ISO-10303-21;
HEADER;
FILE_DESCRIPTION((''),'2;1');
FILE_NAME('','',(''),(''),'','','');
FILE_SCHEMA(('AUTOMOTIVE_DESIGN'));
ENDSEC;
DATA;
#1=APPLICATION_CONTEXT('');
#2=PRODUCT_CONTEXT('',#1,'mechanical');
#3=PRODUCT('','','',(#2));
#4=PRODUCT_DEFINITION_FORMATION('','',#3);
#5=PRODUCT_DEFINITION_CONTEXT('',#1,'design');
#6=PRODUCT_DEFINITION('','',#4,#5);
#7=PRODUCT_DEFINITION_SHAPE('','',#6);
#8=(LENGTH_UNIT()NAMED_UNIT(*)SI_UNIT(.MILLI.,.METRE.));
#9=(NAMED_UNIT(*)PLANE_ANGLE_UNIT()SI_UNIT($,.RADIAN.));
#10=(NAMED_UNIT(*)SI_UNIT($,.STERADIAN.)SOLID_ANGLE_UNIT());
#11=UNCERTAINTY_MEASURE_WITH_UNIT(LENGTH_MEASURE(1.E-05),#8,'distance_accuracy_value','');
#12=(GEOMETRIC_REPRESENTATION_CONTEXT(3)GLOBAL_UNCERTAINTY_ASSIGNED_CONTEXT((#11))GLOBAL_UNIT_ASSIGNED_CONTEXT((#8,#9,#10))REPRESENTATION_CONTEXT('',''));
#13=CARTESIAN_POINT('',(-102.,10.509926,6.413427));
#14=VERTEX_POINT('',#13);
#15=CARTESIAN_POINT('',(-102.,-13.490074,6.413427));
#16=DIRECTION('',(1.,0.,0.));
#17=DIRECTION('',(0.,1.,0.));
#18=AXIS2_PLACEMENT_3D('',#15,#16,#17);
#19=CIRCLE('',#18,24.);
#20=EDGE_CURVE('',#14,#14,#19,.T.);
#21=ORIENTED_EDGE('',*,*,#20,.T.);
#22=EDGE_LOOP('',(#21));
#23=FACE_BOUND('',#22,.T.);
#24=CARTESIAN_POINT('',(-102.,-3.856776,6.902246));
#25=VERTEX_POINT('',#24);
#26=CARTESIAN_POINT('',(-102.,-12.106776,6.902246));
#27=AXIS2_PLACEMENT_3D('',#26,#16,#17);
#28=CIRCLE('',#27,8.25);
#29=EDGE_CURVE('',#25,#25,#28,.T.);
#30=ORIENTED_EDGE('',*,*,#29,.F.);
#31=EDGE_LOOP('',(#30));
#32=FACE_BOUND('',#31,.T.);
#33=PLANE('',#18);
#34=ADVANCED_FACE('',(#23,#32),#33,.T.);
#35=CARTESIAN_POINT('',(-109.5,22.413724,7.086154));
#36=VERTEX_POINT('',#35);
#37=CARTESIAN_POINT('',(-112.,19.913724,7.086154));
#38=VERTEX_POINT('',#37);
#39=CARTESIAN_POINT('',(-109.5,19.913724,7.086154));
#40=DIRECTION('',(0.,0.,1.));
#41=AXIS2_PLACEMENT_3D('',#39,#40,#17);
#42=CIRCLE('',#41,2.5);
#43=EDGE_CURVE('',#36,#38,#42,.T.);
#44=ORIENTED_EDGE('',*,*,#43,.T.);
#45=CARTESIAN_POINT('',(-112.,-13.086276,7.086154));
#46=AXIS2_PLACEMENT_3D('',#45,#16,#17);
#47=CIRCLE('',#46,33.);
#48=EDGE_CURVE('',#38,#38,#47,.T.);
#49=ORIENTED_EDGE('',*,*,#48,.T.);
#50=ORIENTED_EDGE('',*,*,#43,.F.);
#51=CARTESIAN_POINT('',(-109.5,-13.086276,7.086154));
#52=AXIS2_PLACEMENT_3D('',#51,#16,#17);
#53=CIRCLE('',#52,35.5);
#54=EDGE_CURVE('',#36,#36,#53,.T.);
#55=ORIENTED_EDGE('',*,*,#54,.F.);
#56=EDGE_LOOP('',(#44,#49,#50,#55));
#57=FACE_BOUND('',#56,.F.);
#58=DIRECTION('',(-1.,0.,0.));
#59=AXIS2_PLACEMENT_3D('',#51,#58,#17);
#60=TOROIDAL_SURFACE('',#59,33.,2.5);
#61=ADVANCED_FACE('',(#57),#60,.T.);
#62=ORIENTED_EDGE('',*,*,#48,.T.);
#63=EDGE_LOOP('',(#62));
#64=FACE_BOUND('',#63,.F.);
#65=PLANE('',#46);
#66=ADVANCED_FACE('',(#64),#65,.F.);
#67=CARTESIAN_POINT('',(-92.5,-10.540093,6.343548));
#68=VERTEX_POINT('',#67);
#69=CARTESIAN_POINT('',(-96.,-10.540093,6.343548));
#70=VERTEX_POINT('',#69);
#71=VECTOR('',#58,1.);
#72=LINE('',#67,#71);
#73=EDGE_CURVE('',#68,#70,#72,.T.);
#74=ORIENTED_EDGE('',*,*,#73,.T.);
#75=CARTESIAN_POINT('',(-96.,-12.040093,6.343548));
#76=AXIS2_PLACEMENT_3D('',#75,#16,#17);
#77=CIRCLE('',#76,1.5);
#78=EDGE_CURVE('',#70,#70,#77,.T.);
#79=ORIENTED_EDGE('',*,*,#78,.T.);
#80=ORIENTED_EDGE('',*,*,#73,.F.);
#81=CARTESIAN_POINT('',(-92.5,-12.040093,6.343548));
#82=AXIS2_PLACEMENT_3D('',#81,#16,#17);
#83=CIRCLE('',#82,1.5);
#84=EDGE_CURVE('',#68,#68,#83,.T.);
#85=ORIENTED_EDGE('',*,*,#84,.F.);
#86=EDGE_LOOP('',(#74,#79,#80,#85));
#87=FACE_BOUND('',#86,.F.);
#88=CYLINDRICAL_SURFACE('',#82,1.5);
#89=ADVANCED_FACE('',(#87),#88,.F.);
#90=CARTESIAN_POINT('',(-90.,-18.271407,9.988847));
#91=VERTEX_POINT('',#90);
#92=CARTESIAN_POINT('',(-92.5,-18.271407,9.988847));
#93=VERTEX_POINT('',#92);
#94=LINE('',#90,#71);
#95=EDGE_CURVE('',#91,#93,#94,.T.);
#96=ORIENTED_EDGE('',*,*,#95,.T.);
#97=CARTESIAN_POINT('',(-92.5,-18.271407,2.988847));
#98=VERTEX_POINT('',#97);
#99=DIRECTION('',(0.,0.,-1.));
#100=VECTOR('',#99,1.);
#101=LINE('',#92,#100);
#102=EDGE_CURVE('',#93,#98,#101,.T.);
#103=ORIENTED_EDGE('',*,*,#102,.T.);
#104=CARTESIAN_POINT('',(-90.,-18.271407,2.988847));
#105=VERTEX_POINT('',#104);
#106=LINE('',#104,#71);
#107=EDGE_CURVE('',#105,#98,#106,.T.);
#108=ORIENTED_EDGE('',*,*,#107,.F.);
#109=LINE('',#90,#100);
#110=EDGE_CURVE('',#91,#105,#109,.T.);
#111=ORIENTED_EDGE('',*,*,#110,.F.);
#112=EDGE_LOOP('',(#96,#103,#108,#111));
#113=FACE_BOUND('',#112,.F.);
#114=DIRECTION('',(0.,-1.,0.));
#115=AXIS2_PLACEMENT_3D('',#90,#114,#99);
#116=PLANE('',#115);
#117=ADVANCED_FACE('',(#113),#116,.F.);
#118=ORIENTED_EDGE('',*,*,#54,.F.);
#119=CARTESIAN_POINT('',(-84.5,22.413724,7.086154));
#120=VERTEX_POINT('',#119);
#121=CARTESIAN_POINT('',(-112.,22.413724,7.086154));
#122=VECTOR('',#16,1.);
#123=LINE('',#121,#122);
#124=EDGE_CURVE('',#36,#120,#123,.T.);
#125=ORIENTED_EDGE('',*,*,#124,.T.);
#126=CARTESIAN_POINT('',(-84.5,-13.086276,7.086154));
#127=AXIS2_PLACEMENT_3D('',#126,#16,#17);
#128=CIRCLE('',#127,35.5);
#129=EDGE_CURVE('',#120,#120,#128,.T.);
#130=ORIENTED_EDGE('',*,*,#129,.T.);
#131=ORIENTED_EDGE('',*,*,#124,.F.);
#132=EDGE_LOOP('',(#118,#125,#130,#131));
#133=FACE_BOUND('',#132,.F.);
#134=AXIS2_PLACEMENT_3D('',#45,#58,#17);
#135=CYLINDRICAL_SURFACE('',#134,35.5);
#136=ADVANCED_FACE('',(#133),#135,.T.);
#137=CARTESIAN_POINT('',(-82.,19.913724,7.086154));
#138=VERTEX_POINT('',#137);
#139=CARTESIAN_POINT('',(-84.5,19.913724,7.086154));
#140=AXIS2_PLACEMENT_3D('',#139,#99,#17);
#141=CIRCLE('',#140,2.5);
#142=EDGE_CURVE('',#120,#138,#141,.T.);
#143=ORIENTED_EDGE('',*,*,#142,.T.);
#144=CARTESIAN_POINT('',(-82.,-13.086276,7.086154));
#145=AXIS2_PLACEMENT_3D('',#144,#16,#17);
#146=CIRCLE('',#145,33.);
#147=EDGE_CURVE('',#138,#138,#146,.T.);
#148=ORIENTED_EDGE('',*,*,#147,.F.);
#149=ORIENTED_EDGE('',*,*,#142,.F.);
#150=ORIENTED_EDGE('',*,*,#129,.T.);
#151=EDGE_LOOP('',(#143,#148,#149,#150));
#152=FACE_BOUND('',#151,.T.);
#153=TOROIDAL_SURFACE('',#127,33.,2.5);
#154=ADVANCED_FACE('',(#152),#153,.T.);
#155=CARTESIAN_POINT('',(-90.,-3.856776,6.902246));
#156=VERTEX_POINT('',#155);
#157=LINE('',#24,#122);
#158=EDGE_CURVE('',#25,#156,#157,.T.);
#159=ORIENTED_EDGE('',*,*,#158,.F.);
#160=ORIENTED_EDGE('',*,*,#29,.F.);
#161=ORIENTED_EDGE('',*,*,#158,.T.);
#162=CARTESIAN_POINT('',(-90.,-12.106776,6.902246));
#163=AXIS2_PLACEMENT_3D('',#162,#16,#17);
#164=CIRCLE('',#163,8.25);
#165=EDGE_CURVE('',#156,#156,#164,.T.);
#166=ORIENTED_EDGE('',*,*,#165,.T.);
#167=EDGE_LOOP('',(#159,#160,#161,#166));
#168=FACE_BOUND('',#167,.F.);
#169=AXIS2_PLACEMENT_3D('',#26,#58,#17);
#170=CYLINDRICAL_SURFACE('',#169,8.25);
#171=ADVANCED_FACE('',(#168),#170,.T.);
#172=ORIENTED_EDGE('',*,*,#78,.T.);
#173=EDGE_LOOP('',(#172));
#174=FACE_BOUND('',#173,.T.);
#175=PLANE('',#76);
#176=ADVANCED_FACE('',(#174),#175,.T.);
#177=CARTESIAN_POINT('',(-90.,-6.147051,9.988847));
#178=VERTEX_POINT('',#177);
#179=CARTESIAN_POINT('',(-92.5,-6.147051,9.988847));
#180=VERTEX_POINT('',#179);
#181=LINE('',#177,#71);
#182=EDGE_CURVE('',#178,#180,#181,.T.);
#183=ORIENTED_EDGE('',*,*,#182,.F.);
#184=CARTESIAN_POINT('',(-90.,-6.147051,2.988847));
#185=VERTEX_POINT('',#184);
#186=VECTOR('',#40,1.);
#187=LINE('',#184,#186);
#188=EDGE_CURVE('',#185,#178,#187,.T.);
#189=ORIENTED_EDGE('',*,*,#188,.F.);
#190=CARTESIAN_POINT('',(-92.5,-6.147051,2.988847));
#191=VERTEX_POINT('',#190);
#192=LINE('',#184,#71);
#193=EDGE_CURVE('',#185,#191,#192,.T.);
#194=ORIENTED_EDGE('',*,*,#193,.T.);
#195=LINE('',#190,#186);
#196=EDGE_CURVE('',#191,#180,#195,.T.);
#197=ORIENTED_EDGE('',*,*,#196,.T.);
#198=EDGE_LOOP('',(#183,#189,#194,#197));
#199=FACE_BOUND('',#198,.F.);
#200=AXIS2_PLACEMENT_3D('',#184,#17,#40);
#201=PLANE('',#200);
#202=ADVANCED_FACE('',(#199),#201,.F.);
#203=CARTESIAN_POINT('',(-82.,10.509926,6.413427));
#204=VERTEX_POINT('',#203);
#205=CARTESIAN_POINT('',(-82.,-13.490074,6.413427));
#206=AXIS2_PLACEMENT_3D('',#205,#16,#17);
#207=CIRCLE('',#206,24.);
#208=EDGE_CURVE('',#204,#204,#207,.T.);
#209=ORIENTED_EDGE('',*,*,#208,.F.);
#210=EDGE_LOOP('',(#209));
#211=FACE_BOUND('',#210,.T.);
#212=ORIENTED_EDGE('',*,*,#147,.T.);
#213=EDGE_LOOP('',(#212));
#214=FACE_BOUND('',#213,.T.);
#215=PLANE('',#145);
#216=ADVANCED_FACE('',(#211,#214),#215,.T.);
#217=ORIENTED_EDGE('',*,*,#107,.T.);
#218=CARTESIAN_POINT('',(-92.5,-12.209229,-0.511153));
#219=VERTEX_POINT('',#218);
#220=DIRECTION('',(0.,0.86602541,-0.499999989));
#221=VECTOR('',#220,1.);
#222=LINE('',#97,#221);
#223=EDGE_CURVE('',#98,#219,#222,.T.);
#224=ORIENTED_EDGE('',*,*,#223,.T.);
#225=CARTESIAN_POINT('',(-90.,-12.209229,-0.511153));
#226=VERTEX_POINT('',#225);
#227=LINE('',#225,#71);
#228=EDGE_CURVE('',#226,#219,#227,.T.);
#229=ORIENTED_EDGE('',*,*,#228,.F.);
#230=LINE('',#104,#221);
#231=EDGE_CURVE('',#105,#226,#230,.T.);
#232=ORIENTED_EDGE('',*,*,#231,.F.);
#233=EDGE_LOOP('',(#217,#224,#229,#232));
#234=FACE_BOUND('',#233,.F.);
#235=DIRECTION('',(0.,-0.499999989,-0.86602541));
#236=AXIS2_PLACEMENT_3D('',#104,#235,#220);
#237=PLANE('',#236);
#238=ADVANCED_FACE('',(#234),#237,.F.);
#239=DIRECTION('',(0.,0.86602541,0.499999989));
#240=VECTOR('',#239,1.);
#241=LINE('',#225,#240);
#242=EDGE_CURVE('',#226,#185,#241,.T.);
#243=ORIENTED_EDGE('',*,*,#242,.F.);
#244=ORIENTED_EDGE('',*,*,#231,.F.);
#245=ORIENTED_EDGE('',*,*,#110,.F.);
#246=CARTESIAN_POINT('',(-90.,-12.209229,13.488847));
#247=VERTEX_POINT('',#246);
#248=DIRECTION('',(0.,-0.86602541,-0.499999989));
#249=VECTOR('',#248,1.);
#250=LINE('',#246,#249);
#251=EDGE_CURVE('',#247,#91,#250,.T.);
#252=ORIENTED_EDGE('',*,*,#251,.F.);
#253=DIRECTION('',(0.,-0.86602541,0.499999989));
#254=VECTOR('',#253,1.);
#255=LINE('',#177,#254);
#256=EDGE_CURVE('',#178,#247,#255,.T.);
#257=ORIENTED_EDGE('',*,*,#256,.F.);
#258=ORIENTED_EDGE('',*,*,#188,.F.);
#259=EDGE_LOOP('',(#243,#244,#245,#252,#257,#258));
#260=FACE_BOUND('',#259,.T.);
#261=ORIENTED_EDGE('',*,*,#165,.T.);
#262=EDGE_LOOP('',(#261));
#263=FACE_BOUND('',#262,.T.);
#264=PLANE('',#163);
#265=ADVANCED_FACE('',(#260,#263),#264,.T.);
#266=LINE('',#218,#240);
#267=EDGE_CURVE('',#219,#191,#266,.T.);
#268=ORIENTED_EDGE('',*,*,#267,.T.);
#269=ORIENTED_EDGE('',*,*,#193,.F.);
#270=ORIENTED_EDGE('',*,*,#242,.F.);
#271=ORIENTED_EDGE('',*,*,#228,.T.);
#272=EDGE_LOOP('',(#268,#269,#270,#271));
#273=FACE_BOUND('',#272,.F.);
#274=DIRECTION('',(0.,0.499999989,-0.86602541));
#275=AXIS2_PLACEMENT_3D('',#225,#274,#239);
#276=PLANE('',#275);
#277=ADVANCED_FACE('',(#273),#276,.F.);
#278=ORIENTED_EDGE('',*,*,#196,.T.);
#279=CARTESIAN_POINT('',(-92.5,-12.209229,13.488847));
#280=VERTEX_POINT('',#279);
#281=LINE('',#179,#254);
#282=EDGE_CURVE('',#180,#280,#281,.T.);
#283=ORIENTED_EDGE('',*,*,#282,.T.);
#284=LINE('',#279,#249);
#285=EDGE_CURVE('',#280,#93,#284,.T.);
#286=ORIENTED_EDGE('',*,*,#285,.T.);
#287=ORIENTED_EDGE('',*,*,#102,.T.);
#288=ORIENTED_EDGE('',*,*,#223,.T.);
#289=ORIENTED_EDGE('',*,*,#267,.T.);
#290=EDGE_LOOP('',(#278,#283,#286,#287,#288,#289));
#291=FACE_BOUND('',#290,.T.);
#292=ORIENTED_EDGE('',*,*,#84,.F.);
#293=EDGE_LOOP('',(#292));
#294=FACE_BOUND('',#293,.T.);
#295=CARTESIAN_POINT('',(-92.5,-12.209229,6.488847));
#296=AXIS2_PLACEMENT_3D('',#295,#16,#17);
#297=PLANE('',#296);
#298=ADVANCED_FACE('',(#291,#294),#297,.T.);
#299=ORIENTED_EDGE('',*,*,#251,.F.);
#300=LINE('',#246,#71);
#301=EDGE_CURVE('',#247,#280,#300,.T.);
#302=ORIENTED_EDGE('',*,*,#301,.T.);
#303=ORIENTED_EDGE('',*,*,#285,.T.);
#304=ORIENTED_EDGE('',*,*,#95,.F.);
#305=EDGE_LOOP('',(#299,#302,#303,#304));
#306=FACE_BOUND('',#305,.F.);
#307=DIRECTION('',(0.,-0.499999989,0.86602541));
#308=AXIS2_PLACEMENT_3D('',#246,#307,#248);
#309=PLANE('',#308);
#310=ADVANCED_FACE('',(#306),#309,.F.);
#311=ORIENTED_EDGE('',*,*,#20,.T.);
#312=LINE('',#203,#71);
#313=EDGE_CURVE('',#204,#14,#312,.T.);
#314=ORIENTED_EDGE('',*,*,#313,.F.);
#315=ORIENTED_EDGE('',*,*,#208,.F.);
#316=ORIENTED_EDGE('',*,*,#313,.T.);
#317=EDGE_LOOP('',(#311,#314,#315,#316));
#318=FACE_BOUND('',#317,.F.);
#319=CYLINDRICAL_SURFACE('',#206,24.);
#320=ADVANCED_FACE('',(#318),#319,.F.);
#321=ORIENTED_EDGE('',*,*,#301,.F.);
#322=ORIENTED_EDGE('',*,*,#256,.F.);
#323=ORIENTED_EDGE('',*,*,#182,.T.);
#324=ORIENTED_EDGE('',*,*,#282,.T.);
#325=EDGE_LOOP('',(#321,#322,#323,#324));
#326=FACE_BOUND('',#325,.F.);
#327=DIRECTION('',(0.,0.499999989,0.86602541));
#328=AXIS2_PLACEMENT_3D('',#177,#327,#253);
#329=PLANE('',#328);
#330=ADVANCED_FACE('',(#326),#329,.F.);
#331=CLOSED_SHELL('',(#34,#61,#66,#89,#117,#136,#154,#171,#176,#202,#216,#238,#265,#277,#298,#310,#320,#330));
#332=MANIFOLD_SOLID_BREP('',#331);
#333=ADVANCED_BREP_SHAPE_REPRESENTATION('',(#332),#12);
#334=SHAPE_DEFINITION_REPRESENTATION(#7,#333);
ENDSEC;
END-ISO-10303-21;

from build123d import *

# Parameters (mm, degrees)
SKETCH034_R     = 35.5
PAD014_DEPTH    = 30
FILLET018_R     = 2.5
FILLET019_R     = 2.5
SKETCH035_R     = 24
POCKET003_DEPTH = 20
SKETCH036_R     = 8.25
PAD015_DEPTH    = 12
POCKET004_DEPTH = 2.5
SKETCH038_R     = 1.5
POCKET005_DEPTH = 3.5


with BuildPart() as part:
    # Sketch034 → Pad014 (new body)
    with BuildSketch(Plane.YZ):
        with Locations((-2.086276, 2.086154)):
            Circle(SKETCH034_R)
    extrude(amount=PAD014_DEPTH)

    # Fillet018
    fillet018_edges = [part.edges().sort_by_distance(p)[0] for p in [
        (30, -37.586276, 2.086154),
    ]]
    fillet(fillet018_edges, radius=FILLET018_R)

    # Fillet019
    fillet019_edges = [part.edges().sort_by_distance(p)[0] for p in [
        (0, -37.586276, 2.086154),
    ]]
    fillet(fillet019_edges, radius=FILLET019_R)

    # Sketch035 (on Face3 of Pad014) → Pocket003 (cut)
    with BuildSketch(Plane.YZ.offset(30)):
        with Locations((-2.490074, 1.413427)):
            Circle(SKETCH035_R)
    extrude(amount=-POCKET003_DEPTH, mode=Mode.SUBTRACT)

    # Sketch036 (on Face7 of Pocket003) → Pad015 (join)
    with BuildSketch(Plane.YZ.offset(10)):
        with Locations((-1.106776, 1.902246)):
            Circle(SKETCH036_R)
    extrude(amount=PAD015_DEPTH)

    # Sketch037 (on Face9 of Pad015) → Pocket004 (cut)
    with BuildSketch(Plane.YZ.offset(22)):
        Polygon((4.852949, 4.988847), (-1.209229, 8.488847), (-7.271407, 4.988847), (-7.271407, -2.011153), (-1.209229, -5.511153), (4.852949, -2.011153), align=None)
    extrude(amount=-POCKET004_DEPTH, mode=Mode.SUBTRACT)

    # Sketch038 (on Face16 of Pocket004) → Pocket005 (cut)
    with BuildSketch(Plane.YZ.offset(19.5)):
        with Locations((-1.040093, 1.343548)):
            Circle(SKETCH038_R)
    extrude(amount=-POCKET005_DEPTH, mode=Mode.SUBTRACT)


with BuildPart() as part_1:
    # Body002 placement: moved
    add(part.part.moved(Location((-112, -11, 5))))


solid = part_1.part
